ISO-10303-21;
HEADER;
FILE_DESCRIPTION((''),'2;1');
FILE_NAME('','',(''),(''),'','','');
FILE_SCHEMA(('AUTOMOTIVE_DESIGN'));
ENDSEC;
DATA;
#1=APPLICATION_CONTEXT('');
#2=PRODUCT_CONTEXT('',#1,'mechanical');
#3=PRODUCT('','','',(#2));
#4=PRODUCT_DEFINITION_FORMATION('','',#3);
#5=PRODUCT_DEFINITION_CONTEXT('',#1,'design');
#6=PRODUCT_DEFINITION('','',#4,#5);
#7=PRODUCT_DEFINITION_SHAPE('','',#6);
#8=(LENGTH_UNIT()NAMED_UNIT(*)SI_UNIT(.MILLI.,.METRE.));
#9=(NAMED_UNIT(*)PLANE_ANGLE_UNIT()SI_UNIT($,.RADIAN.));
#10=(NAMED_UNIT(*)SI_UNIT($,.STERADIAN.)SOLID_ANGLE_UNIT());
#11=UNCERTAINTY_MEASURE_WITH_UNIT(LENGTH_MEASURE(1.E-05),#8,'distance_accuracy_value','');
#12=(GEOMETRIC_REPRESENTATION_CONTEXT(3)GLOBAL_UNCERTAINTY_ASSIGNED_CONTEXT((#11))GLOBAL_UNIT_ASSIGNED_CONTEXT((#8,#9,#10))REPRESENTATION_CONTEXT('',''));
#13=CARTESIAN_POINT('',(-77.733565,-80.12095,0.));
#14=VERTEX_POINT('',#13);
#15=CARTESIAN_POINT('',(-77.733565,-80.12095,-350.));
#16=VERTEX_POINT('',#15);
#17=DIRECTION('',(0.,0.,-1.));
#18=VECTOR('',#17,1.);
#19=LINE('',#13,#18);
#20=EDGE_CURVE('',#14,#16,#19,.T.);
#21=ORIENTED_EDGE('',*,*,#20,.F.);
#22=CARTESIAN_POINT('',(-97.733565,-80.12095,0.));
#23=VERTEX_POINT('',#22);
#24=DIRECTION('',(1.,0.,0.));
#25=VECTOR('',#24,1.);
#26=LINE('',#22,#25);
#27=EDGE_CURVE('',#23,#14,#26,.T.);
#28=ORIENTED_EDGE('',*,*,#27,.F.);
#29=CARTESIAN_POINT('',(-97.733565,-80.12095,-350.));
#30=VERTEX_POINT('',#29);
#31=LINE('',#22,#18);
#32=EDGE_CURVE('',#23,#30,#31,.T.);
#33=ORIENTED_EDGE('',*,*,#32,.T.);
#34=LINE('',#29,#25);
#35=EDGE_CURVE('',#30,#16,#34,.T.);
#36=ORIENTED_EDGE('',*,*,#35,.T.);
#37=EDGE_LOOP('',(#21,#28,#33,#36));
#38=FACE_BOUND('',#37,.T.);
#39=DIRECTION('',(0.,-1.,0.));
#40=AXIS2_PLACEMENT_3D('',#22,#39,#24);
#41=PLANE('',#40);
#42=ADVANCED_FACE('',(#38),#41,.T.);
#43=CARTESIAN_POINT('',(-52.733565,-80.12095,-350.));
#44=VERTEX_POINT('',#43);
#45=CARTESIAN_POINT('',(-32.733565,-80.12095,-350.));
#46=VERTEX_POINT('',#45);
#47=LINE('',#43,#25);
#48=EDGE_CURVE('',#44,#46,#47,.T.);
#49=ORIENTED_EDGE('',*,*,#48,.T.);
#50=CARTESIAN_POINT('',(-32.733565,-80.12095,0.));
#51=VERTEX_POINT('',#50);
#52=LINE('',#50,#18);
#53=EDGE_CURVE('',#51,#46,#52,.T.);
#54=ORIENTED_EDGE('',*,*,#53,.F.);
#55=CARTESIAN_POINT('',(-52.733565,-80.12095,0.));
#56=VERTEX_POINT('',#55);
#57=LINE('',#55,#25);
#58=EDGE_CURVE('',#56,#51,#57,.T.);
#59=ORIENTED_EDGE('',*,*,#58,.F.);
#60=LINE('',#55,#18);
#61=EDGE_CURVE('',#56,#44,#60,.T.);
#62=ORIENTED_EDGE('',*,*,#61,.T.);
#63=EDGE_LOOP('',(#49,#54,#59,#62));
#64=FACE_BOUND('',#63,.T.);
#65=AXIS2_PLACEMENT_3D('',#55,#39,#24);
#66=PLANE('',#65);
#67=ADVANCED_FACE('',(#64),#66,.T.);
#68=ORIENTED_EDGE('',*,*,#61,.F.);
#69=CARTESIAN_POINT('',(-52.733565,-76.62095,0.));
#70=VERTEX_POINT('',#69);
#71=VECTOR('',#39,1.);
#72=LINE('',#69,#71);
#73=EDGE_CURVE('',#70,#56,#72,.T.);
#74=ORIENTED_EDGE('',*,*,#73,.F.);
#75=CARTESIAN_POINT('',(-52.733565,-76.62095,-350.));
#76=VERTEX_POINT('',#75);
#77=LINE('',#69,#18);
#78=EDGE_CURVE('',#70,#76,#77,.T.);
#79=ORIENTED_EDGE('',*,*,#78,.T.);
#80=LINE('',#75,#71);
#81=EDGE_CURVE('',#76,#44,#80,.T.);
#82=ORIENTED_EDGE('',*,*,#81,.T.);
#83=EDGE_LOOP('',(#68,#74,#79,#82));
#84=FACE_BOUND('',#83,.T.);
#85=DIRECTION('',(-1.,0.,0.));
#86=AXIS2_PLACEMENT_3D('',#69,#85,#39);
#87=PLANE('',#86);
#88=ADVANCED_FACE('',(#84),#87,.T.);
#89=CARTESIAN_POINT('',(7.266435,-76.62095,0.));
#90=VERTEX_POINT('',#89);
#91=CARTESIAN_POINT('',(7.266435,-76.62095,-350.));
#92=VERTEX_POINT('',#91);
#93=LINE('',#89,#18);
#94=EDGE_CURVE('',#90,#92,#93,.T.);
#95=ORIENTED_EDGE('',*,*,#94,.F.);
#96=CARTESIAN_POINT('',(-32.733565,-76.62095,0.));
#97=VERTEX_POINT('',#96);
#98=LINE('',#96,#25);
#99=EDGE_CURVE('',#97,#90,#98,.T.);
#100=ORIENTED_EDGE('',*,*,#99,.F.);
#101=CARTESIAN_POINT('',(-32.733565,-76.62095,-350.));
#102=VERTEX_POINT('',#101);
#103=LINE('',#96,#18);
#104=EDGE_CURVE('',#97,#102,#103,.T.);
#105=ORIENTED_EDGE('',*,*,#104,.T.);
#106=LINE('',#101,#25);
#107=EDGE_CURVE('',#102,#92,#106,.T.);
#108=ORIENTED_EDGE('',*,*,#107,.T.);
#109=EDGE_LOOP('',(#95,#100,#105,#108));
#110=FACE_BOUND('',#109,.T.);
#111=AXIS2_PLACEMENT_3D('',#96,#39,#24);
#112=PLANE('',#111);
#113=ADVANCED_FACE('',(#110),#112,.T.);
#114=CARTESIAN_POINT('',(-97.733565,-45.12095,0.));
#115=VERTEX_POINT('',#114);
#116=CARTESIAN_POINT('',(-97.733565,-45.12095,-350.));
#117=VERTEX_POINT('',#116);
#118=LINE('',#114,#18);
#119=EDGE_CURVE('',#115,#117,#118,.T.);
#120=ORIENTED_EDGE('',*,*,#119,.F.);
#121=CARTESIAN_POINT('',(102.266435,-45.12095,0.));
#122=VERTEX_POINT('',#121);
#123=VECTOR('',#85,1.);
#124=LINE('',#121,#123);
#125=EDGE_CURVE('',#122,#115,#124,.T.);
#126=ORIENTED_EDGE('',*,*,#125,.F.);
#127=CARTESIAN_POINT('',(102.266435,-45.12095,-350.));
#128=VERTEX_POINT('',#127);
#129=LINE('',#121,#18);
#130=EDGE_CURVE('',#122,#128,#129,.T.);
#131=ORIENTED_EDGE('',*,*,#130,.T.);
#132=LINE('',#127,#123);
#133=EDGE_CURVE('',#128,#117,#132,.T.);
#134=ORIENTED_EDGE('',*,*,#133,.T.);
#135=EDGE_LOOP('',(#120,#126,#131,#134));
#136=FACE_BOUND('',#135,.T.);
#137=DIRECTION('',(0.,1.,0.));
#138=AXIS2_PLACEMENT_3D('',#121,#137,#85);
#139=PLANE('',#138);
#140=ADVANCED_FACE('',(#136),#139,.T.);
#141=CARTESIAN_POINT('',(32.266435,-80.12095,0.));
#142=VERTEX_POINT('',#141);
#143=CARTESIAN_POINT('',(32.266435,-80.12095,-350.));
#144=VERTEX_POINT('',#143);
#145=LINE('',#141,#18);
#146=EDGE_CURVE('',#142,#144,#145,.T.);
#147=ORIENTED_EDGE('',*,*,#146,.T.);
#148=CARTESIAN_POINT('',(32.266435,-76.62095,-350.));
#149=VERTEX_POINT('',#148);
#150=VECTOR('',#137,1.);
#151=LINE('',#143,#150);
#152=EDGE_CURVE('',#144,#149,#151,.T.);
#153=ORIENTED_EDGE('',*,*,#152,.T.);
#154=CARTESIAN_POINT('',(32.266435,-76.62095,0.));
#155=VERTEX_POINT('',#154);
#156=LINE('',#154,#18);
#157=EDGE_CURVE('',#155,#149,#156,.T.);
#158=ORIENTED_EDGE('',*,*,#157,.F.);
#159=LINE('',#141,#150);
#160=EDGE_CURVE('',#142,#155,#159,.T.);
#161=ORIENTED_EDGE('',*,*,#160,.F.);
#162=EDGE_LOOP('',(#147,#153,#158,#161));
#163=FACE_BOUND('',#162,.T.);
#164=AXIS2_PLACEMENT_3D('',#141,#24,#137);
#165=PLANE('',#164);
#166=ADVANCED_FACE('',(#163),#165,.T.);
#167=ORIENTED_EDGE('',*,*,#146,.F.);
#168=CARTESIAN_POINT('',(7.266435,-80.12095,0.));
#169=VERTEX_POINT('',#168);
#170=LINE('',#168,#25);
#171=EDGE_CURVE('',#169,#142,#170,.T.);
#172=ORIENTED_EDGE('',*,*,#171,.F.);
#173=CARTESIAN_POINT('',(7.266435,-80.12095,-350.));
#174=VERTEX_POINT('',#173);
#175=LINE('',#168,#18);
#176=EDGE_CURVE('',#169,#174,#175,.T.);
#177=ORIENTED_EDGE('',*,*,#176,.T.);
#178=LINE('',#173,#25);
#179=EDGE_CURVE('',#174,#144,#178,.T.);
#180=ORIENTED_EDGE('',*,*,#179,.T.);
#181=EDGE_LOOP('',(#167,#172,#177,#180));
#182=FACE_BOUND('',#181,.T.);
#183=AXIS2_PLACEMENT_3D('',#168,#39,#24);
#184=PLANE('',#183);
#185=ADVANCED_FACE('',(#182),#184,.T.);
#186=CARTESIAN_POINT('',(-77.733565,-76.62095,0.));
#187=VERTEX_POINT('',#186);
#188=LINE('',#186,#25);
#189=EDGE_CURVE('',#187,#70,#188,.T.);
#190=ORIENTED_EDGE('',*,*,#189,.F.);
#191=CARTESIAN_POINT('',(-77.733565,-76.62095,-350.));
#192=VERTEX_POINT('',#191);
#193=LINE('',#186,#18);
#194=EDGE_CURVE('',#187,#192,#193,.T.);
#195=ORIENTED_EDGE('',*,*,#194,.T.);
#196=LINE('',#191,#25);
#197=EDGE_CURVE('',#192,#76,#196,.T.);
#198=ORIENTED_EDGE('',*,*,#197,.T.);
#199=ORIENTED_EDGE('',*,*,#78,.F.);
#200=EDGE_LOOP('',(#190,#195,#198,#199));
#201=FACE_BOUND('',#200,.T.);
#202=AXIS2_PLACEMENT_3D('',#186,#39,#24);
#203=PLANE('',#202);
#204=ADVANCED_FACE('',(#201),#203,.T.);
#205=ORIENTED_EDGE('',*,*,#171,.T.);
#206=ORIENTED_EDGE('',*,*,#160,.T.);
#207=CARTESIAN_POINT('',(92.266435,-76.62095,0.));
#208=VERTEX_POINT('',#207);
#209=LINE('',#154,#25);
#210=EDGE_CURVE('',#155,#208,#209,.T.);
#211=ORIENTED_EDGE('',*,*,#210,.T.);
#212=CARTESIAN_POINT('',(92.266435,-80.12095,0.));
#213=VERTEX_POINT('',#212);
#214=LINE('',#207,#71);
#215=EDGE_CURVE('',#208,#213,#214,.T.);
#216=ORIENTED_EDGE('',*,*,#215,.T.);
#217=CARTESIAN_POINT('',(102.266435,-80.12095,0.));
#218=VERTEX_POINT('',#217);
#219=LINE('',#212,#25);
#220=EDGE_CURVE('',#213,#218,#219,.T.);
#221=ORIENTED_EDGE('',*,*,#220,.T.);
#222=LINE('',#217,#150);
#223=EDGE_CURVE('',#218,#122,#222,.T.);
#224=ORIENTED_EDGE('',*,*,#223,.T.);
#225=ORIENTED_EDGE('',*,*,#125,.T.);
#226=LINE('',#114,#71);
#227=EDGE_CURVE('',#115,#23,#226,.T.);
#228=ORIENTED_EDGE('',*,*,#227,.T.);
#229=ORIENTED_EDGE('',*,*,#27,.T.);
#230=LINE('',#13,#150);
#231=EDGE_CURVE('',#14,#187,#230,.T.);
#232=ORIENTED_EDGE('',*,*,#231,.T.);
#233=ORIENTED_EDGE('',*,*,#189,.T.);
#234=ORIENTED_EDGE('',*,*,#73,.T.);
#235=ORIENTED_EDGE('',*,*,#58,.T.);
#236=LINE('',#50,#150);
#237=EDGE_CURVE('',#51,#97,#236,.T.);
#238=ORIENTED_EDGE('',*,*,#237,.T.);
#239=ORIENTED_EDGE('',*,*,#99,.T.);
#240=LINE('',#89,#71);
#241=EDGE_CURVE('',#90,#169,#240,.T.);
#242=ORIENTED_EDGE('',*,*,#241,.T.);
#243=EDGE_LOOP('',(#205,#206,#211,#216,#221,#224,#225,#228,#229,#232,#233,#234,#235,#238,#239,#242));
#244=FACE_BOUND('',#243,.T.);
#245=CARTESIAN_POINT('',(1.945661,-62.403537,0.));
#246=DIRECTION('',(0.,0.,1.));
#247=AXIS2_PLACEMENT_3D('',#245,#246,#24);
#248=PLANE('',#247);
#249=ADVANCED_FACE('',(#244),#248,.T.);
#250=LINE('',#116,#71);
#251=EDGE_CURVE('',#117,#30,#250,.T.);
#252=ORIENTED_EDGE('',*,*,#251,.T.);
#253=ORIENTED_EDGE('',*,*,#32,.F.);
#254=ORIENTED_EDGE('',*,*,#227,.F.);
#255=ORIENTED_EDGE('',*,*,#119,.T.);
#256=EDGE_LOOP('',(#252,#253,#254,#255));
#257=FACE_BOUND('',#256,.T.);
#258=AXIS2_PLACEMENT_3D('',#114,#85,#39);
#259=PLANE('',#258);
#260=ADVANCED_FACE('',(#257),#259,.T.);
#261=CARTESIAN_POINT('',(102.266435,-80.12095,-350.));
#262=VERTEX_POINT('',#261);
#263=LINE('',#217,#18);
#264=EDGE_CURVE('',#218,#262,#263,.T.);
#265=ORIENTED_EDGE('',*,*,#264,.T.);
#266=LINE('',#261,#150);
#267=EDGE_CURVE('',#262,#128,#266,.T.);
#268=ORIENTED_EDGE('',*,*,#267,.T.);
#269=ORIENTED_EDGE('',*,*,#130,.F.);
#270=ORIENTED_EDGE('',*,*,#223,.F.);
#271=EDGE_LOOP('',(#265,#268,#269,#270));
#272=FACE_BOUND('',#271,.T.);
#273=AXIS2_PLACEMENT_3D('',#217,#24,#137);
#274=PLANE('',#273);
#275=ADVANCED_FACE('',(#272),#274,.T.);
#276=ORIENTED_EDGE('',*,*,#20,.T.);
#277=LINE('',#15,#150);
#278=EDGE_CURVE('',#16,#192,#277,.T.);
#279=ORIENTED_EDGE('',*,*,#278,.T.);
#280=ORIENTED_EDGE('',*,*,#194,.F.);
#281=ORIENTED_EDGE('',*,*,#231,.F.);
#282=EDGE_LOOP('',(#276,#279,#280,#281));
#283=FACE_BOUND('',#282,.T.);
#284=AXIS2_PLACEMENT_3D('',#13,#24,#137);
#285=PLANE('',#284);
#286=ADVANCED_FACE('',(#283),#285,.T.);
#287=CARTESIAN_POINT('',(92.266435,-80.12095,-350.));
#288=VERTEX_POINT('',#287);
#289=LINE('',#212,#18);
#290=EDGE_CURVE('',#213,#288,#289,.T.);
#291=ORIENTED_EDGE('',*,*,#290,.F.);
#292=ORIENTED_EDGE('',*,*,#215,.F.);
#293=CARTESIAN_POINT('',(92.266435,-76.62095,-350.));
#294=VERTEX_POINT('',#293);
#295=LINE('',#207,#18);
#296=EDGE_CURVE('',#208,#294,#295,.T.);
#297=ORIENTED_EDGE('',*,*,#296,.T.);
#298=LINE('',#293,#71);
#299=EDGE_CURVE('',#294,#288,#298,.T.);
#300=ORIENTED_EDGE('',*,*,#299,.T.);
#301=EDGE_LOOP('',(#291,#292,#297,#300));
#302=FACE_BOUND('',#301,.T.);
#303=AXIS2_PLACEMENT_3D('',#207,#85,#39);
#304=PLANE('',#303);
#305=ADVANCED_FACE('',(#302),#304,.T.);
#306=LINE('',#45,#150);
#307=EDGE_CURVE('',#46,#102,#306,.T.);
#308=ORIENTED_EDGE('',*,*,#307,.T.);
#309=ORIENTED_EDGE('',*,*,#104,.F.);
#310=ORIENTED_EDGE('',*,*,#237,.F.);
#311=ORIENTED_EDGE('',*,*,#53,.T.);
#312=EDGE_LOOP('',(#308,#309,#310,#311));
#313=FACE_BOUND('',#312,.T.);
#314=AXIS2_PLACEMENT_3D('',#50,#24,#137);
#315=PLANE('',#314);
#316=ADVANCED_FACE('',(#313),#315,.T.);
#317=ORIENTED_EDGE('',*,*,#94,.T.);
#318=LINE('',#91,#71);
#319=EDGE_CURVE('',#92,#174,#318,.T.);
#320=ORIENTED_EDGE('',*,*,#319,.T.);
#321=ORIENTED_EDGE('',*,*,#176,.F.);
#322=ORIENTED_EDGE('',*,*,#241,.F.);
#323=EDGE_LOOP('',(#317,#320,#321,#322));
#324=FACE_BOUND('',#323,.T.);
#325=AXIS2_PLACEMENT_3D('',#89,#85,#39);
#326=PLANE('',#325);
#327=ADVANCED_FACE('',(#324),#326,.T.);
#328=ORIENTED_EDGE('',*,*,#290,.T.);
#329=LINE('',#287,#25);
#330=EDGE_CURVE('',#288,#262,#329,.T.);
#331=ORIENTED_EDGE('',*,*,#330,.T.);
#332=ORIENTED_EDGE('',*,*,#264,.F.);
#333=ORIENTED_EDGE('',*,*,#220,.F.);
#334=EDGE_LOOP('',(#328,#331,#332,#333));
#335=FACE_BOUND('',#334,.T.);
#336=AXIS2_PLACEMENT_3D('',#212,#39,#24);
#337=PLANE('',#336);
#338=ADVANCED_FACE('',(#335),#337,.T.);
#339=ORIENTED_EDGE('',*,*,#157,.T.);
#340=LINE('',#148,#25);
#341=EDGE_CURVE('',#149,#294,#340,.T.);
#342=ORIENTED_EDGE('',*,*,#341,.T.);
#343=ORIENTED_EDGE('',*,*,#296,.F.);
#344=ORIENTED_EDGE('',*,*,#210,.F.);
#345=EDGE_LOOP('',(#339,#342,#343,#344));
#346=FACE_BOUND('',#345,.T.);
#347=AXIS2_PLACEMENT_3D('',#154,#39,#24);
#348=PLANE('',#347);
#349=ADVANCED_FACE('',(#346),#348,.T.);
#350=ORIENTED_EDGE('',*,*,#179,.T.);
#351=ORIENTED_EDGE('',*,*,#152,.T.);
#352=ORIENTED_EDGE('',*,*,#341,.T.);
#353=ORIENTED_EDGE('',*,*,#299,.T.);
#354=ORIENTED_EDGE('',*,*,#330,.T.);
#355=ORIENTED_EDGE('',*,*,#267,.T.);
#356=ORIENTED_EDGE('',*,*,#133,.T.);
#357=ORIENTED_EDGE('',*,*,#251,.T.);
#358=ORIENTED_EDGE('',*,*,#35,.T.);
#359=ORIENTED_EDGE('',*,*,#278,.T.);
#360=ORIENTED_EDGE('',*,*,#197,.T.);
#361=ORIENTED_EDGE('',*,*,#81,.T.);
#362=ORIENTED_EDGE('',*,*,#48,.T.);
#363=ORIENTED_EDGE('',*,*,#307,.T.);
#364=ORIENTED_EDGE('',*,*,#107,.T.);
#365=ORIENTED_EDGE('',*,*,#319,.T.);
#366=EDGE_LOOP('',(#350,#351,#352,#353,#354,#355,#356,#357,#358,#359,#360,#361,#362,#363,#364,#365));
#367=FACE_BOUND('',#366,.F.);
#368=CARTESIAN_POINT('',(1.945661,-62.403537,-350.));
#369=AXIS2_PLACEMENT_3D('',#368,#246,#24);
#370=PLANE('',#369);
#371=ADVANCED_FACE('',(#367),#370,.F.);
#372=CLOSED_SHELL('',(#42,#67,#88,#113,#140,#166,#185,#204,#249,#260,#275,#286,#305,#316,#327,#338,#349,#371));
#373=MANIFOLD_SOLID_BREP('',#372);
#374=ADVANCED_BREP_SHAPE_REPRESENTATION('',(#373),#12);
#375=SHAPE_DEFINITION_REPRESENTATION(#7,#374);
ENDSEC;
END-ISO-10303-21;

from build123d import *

# Parameters (mm, degrees)
F1_DEPTH = 350


with BuildPart() as f1:
    # F0 (on Top) → F1 (new body)
    with BuildSketch(Plane.XY):
        Polygon((102.266435, -45.12095), (-97.733565, -45.12095), (-97.733565, -80.12095), (-77.733565, -80.12095), (-77.733565, -76.62095), (-52.733565, -76.62095), (-52.733565, -80.12095), (-32.733565, -80.12095), (-32.733565, -76.62095), (7.266435, -76.62095), (7.266435, -80.12095), (32.266435, -80.12095), (32.266435, -76.62095), (92.266435, -76.62095), (92.266435, -80.12095), (102.266435, -80.12095), align=None)
    extrude(amount=-F1_DEPTH)


solid = f1.part
